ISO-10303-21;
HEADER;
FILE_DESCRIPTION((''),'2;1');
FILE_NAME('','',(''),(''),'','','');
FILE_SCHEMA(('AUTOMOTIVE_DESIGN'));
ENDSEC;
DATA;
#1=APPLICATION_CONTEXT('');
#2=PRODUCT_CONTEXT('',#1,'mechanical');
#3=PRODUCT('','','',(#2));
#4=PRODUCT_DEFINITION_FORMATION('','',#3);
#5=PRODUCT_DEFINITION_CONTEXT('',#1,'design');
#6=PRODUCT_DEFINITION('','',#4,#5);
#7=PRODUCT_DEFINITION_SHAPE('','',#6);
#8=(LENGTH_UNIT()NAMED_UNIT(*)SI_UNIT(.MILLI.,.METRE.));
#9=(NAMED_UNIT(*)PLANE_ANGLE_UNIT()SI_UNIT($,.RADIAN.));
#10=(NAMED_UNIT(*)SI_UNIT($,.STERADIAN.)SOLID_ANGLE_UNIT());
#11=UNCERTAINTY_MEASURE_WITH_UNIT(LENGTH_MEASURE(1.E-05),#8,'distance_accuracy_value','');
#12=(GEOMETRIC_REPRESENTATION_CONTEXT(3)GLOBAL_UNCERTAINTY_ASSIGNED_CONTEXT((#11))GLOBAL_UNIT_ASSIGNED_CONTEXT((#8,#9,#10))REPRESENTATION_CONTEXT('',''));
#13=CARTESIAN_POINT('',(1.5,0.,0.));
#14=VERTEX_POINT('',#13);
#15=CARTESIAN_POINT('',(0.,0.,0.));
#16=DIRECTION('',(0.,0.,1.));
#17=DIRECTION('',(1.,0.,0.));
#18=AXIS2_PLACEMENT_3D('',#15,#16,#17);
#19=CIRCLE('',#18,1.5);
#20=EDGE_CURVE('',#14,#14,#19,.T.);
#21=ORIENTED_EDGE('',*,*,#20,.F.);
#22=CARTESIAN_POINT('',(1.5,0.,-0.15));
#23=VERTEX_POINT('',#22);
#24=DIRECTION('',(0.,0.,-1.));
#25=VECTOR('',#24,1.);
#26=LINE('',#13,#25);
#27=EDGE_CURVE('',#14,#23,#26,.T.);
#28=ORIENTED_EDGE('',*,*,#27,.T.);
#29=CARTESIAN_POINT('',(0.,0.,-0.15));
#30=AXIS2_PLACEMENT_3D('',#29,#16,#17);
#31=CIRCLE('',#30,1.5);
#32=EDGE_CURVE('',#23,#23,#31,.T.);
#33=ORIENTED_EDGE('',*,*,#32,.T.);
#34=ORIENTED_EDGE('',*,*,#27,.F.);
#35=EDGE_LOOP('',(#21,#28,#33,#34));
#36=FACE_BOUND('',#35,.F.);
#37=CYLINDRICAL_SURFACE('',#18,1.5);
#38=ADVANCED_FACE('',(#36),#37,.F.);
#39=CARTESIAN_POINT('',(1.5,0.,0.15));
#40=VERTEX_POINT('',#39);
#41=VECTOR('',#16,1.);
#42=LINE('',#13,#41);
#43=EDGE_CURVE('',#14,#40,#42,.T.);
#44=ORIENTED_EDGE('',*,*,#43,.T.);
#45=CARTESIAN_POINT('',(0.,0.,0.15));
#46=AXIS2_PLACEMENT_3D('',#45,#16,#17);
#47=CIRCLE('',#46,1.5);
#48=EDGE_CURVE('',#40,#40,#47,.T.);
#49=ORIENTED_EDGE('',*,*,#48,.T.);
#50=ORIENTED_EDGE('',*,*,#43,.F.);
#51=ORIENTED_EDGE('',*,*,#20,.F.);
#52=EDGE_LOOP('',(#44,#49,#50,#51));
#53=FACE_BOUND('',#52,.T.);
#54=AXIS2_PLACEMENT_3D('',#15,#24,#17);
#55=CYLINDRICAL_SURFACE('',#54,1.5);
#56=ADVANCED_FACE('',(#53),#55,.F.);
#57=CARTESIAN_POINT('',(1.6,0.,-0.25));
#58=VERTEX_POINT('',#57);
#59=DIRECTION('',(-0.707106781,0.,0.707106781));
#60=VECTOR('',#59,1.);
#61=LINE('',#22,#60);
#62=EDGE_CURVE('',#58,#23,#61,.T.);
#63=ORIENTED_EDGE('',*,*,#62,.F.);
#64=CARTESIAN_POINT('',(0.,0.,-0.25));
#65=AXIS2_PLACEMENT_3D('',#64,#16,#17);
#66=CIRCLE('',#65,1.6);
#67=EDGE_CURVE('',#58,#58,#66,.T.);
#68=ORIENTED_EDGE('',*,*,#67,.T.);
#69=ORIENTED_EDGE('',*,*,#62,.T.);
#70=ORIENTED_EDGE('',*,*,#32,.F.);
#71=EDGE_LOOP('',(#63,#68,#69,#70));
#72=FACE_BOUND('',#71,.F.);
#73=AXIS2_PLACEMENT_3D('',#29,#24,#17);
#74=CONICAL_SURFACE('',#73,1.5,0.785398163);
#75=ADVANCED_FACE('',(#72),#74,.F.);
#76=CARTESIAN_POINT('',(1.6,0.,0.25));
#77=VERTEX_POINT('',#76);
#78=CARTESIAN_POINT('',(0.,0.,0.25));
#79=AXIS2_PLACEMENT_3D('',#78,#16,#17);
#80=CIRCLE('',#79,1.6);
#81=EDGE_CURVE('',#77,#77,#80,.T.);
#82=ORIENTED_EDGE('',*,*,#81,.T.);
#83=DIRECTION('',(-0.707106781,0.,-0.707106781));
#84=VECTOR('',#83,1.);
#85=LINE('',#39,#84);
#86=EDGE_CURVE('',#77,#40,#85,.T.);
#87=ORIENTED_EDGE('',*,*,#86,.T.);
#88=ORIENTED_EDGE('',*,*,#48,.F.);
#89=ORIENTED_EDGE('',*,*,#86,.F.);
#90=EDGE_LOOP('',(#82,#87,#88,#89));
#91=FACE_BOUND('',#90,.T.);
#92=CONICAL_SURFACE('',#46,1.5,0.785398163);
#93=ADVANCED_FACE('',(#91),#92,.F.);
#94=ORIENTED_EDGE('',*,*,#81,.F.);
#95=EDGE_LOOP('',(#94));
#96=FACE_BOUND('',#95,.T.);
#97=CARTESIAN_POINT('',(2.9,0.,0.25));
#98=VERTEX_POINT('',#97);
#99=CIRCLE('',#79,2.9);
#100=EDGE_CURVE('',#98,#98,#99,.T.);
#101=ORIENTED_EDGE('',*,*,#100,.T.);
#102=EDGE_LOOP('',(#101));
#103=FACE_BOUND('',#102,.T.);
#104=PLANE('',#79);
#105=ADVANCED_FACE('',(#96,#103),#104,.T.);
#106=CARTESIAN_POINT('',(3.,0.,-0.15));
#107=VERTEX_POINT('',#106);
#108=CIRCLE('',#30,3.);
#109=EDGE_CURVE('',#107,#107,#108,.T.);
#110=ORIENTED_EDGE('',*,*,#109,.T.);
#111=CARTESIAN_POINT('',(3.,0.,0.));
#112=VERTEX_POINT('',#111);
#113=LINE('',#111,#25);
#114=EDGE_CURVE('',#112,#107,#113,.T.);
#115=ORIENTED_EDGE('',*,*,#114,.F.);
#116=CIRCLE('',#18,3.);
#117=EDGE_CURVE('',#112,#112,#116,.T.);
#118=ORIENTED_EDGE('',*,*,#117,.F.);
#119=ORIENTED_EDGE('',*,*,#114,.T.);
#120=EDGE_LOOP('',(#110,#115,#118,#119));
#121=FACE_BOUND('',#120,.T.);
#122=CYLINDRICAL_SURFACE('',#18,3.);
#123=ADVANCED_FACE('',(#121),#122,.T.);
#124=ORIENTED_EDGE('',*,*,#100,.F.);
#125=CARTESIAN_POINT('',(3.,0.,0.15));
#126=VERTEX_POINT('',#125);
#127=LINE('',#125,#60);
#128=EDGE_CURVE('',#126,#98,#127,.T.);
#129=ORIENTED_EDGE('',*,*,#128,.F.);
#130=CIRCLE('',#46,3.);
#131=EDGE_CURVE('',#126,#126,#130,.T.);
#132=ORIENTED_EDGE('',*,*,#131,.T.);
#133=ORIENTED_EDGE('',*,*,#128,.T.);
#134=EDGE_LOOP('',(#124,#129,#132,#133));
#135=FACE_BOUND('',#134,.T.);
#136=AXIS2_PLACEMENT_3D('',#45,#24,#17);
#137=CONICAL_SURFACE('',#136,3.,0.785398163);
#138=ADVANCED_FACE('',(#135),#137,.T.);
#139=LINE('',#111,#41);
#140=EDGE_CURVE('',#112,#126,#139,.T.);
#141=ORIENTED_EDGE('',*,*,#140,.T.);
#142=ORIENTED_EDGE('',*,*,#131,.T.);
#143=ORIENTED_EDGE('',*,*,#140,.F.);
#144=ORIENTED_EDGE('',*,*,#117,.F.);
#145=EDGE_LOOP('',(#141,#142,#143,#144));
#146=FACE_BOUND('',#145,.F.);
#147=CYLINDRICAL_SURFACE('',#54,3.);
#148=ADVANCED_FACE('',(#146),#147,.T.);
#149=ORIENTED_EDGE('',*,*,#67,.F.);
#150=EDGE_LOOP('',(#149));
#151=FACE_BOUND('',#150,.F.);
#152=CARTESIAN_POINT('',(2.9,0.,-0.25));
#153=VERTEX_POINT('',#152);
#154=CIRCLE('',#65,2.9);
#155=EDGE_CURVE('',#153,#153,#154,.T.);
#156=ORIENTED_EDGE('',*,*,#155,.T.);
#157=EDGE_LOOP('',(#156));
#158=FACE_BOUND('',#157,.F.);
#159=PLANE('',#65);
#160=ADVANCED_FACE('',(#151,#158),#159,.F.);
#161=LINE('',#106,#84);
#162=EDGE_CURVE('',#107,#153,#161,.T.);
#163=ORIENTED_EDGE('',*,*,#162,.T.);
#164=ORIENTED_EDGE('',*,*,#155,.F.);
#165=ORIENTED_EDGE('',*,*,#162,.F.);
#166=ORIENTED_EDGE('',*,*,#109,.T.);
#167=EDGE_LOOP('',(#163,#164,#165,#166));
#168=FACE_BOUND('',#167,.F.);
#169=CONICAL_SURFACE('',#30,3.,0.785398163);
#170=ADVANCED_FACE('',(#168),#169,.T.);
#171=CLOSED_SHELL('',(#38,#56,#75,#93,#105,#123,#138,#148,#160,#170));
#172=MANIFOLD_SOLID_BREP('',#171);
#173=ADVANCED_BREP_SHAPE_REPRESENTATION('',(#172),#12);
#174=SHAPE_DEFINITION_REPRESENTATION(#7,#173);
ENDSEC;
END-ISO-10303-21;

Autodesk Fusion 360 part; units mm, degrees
sketch "Sketch1" plane through (0, 0, 0) normal (0, 0, 1) x (1, 0, 0)
  circle A0 centre (0, 0) radius 1.5
  circle A1 centre (0, 0) radius 3
  dimension "d1" = 3
  dimension "d2" = 6
extrude "Extrude1" add sketch "Sketch1" along normal mid plane 0.5
chamfer "Chamfer1" distance 0.1 angle 45 4 edges at (-1.3985, 0.5424, 0.25) (-2.797, -1.0848, 0.25) (-2.797, 1.0848, -0.25) (-1.3985, -0.5424, -0.25)
